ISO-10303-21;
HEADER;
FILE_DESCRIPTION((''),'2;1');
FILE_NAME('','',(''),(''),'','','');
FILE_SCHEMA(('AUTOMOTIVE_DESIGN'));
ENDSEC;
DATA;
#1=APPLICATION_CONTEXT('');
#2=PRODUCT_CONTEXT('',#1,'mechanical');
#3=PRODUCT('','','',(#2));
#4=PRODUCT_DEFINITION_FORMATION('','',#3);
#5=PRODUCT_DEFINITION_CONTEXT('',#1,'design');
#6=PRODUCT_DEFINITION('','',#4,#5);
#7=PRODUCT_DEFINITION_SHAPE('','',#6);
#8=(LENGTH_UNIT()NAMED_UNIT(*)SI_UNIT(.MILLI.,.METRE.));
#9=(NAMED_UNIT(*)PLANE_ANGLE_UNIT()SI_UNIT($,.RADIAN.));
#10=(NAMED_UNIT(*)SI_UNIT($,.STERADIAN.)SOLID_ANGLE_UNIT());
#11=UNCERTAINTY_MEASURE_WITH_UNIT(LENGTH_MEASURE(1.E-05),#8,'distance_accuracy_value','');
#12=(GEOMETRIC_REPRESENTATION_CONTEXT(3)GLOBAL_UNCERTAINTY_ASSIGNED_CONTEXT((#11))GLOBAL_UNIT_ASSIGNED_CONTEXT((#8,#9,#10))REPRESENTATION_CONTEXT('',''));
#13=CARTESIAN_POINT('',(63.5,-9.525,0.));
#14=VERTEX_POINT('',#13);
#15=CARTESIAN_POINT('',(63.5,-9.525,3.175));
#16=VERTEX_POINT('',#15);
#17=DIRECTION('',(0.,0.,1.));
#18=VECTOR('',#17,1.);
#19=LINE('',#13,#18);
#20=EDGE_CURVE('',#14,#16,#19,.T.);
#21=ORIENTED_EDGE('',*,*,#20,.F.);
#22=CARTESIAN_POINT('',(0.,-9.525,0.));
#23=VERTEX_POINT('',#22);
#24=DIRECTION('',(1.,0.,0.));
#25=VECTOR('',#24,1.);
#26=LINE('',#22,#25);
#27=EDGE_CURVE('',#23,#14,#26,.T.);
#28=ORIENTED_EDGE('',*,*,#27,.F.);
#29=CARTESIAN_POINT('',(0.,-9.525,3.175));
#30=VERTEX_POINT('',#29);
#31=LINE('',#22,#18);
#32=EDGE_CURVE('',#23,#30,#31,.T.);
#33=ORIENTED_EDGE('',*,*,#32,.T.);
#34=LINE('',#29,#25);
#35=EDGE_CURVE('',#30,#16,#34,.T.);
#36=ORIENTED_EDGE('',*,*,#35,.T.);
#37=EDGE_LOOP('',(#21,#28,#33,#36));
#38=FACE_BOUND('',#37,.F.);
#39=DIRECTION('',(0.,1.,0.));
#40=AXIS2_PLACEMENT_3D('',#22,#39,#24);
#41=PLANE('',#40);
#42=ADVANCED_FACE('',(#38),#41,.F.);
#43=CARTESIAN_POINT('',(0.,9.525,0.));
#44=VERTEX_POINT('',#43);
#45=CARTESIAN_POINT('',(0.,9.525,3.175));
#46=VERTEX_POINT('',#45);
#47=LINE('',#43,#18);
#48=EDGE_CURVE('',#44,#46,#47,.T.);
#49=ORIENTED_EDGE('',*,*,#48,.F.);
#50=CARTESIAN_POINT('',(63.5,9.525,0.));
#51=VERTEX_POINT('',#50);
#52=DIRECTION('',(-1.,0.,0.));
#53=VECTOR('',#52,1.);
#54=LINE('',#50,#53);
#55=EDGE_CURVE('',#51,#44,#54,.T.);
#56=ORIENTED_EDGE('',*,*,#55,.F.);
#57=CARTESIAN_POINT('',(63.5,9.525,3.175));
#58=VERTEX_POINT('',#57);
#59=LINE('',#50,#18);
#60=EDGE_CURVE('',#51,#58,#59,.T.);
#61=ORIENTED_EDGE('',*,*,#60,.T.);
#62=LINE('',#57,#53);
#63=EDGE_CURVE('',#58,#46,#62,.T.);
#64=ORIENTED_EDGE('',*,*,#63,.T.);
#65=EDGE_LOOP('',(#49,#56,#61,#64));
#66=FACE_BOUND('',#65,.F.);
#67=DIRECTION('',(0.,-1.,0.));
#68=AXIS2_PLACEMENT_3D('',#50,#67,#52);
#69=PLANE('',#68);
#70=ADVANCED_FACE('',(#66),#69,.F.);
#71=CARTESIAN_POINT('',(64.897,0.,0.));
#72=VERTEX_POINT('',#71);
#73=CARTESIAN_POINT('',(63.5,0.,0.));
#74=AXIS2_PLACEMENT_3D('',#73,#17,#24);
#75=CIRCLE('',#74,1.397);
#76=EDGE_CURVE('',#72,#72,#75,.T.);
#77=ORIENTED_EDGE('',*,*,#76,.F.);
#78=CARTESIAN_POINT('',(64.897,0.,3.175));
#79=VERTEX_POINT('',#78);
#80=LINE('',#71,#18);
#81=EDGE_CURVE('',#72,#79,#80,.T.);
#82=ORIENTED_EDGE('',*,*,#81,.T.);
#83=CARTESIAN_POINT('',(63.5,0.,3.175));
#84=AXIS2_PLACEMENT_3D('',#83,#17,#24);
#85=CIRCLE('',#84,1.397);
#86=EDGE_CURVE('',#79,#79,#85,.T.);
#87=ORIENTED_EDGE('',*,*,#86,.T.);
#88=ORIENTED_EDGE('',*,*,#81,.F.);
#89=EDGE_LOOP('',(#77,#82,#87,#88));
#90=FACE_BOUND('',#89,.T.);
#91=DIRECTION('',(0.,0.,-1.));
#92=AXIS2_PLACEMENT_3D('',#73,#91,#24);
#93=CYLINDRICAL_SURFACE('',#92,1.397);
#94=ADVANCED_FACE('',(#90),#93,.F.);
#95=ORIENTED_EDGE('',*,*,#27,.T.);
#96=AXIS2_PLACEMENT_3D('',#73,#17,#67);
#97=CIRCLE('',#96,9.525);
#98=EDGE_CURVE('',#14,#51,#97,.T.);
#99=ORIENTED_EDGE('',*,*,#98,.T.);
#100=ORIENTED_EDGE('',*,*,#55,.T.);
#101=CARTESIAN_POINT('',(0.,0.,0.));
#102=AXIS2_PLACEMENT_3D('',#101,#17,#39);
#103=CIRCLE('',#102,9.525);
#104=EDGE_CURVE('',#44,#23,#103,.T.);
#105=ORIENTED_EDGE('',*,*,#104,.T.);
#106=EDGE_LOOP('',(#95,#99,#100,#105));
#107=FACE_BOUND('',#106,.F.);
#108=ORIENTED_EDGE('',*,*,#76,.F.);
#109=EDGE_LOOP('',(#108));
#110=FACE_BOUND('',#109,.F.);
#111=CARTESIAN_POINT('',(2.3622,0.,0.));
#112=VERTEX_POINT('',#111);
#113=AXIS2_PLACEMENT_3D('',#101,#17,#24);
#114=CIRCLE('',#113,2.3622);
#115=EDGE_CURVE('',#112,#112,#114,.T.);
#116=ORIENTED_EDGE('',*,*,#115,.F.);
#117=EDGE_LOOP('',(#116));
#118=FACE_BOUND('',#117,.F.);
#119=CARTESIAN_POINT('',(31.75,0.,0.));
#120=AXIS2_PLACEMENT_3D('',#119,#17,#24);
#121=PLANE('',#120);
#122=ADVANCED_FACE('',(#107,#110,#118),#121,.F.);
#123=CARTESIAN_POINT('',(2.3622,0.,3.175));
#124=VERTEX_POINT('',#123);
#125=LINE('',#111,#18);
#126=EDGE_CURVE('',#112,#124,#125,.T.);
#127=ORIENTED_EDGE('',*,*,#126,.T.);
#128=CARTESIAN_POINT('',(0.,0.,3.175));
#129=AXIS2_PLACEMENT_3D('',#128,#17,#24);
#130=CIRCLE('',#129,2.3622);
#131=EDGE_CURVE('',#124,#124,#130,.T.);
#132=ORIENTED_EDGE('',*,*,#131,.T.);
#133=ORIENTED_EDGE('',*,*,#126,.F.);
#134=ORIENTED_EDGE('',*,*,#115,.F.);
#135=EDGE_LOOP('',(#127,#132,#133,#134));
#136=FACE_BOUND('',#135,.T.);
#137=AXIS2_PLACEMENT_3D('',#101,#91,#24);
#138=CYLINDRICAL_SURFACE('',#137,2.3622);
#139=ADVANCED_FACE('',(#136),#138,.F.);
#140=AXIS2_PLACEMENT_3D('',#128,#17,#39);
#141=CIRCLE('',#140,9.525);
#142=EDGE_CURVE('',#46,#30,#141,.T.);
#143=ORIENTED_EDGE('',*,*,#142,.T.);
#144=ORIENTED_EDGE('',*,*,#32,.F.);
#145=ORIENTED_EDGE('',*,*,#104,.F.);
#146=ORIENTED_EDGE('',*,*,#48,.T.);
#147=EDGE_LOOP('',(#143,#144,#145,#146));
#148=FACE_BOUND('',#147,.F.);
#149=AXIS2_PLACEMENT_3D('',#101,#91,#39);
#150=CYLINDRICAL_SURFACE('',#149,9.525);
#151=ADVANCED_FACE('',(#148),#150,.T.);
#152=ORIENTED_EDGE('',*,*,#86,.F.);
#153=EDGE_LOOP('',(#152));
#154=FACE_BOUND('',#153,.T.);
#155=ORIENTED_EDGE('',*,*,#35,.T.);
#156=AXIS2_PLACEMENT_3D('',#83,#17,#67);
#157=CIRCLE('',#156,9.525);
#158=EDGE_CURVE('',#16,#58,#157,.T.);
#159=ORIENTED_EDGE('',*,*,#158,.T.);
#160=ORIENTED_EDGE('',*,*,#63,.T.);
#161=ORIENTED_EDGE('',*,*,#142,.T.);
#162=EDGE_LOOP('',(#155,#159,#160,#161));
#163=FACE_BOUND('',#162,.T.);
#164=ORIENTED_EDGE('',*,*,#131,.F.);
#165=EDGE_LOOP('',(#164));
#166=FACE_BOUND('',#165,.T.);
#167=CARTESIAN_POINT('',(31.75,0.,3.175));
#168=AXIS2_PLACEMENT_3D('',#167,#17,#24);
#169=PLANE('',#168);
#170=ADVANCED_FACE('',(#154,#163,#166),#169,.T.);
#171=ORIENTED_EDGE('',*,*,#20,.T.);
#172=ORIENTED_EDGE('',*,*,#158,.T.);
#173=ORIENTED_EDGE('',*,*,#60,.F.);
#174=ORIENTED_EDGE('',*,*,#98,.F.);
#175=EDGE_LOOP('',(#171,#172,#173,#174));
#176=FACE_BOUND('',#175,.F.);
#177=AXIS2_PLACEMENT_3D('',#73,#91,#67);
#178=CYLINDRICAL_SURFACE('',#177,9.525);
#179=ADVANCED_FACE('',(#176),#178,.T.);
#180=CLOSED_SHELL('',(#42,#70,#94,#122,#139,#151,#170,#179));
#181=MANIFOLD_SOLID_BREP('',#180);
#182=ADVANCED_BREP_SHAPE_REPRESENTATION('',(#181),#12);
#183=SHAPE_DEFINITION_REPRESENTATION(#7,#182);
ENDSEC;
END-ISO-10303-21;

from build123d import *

# Parameters (mm, degrees)
F0_R     = 2.3622
F0_R_2   = 1.397
F1_DEPTH = 3.175


with BuildPart() as f1:
    # F0 (on Top) → F1 (new body)
    with BuildSketch(Plane.XY):
        with BuildLine():
            ThreePointArc((63.5, -9.525), (73.025, 0), (63.5, 9.525))
            Line((63.5, 9.525), (0, 9.525))
            ThreePointArc((0, 9.525), (-9.525, 0), (0, -9.525))
            Line((0, -9.525), (63.5, -9.525))
        make_face()
        Circle(F0_R, mode=Mode.SUBTRACT)
        with Locations((63.5, 0)):
            Circle(F0_R_2, mode=Mode.SUBTRACT)
    extrude(amount=F1_DEPTH)


solid = f1.part
